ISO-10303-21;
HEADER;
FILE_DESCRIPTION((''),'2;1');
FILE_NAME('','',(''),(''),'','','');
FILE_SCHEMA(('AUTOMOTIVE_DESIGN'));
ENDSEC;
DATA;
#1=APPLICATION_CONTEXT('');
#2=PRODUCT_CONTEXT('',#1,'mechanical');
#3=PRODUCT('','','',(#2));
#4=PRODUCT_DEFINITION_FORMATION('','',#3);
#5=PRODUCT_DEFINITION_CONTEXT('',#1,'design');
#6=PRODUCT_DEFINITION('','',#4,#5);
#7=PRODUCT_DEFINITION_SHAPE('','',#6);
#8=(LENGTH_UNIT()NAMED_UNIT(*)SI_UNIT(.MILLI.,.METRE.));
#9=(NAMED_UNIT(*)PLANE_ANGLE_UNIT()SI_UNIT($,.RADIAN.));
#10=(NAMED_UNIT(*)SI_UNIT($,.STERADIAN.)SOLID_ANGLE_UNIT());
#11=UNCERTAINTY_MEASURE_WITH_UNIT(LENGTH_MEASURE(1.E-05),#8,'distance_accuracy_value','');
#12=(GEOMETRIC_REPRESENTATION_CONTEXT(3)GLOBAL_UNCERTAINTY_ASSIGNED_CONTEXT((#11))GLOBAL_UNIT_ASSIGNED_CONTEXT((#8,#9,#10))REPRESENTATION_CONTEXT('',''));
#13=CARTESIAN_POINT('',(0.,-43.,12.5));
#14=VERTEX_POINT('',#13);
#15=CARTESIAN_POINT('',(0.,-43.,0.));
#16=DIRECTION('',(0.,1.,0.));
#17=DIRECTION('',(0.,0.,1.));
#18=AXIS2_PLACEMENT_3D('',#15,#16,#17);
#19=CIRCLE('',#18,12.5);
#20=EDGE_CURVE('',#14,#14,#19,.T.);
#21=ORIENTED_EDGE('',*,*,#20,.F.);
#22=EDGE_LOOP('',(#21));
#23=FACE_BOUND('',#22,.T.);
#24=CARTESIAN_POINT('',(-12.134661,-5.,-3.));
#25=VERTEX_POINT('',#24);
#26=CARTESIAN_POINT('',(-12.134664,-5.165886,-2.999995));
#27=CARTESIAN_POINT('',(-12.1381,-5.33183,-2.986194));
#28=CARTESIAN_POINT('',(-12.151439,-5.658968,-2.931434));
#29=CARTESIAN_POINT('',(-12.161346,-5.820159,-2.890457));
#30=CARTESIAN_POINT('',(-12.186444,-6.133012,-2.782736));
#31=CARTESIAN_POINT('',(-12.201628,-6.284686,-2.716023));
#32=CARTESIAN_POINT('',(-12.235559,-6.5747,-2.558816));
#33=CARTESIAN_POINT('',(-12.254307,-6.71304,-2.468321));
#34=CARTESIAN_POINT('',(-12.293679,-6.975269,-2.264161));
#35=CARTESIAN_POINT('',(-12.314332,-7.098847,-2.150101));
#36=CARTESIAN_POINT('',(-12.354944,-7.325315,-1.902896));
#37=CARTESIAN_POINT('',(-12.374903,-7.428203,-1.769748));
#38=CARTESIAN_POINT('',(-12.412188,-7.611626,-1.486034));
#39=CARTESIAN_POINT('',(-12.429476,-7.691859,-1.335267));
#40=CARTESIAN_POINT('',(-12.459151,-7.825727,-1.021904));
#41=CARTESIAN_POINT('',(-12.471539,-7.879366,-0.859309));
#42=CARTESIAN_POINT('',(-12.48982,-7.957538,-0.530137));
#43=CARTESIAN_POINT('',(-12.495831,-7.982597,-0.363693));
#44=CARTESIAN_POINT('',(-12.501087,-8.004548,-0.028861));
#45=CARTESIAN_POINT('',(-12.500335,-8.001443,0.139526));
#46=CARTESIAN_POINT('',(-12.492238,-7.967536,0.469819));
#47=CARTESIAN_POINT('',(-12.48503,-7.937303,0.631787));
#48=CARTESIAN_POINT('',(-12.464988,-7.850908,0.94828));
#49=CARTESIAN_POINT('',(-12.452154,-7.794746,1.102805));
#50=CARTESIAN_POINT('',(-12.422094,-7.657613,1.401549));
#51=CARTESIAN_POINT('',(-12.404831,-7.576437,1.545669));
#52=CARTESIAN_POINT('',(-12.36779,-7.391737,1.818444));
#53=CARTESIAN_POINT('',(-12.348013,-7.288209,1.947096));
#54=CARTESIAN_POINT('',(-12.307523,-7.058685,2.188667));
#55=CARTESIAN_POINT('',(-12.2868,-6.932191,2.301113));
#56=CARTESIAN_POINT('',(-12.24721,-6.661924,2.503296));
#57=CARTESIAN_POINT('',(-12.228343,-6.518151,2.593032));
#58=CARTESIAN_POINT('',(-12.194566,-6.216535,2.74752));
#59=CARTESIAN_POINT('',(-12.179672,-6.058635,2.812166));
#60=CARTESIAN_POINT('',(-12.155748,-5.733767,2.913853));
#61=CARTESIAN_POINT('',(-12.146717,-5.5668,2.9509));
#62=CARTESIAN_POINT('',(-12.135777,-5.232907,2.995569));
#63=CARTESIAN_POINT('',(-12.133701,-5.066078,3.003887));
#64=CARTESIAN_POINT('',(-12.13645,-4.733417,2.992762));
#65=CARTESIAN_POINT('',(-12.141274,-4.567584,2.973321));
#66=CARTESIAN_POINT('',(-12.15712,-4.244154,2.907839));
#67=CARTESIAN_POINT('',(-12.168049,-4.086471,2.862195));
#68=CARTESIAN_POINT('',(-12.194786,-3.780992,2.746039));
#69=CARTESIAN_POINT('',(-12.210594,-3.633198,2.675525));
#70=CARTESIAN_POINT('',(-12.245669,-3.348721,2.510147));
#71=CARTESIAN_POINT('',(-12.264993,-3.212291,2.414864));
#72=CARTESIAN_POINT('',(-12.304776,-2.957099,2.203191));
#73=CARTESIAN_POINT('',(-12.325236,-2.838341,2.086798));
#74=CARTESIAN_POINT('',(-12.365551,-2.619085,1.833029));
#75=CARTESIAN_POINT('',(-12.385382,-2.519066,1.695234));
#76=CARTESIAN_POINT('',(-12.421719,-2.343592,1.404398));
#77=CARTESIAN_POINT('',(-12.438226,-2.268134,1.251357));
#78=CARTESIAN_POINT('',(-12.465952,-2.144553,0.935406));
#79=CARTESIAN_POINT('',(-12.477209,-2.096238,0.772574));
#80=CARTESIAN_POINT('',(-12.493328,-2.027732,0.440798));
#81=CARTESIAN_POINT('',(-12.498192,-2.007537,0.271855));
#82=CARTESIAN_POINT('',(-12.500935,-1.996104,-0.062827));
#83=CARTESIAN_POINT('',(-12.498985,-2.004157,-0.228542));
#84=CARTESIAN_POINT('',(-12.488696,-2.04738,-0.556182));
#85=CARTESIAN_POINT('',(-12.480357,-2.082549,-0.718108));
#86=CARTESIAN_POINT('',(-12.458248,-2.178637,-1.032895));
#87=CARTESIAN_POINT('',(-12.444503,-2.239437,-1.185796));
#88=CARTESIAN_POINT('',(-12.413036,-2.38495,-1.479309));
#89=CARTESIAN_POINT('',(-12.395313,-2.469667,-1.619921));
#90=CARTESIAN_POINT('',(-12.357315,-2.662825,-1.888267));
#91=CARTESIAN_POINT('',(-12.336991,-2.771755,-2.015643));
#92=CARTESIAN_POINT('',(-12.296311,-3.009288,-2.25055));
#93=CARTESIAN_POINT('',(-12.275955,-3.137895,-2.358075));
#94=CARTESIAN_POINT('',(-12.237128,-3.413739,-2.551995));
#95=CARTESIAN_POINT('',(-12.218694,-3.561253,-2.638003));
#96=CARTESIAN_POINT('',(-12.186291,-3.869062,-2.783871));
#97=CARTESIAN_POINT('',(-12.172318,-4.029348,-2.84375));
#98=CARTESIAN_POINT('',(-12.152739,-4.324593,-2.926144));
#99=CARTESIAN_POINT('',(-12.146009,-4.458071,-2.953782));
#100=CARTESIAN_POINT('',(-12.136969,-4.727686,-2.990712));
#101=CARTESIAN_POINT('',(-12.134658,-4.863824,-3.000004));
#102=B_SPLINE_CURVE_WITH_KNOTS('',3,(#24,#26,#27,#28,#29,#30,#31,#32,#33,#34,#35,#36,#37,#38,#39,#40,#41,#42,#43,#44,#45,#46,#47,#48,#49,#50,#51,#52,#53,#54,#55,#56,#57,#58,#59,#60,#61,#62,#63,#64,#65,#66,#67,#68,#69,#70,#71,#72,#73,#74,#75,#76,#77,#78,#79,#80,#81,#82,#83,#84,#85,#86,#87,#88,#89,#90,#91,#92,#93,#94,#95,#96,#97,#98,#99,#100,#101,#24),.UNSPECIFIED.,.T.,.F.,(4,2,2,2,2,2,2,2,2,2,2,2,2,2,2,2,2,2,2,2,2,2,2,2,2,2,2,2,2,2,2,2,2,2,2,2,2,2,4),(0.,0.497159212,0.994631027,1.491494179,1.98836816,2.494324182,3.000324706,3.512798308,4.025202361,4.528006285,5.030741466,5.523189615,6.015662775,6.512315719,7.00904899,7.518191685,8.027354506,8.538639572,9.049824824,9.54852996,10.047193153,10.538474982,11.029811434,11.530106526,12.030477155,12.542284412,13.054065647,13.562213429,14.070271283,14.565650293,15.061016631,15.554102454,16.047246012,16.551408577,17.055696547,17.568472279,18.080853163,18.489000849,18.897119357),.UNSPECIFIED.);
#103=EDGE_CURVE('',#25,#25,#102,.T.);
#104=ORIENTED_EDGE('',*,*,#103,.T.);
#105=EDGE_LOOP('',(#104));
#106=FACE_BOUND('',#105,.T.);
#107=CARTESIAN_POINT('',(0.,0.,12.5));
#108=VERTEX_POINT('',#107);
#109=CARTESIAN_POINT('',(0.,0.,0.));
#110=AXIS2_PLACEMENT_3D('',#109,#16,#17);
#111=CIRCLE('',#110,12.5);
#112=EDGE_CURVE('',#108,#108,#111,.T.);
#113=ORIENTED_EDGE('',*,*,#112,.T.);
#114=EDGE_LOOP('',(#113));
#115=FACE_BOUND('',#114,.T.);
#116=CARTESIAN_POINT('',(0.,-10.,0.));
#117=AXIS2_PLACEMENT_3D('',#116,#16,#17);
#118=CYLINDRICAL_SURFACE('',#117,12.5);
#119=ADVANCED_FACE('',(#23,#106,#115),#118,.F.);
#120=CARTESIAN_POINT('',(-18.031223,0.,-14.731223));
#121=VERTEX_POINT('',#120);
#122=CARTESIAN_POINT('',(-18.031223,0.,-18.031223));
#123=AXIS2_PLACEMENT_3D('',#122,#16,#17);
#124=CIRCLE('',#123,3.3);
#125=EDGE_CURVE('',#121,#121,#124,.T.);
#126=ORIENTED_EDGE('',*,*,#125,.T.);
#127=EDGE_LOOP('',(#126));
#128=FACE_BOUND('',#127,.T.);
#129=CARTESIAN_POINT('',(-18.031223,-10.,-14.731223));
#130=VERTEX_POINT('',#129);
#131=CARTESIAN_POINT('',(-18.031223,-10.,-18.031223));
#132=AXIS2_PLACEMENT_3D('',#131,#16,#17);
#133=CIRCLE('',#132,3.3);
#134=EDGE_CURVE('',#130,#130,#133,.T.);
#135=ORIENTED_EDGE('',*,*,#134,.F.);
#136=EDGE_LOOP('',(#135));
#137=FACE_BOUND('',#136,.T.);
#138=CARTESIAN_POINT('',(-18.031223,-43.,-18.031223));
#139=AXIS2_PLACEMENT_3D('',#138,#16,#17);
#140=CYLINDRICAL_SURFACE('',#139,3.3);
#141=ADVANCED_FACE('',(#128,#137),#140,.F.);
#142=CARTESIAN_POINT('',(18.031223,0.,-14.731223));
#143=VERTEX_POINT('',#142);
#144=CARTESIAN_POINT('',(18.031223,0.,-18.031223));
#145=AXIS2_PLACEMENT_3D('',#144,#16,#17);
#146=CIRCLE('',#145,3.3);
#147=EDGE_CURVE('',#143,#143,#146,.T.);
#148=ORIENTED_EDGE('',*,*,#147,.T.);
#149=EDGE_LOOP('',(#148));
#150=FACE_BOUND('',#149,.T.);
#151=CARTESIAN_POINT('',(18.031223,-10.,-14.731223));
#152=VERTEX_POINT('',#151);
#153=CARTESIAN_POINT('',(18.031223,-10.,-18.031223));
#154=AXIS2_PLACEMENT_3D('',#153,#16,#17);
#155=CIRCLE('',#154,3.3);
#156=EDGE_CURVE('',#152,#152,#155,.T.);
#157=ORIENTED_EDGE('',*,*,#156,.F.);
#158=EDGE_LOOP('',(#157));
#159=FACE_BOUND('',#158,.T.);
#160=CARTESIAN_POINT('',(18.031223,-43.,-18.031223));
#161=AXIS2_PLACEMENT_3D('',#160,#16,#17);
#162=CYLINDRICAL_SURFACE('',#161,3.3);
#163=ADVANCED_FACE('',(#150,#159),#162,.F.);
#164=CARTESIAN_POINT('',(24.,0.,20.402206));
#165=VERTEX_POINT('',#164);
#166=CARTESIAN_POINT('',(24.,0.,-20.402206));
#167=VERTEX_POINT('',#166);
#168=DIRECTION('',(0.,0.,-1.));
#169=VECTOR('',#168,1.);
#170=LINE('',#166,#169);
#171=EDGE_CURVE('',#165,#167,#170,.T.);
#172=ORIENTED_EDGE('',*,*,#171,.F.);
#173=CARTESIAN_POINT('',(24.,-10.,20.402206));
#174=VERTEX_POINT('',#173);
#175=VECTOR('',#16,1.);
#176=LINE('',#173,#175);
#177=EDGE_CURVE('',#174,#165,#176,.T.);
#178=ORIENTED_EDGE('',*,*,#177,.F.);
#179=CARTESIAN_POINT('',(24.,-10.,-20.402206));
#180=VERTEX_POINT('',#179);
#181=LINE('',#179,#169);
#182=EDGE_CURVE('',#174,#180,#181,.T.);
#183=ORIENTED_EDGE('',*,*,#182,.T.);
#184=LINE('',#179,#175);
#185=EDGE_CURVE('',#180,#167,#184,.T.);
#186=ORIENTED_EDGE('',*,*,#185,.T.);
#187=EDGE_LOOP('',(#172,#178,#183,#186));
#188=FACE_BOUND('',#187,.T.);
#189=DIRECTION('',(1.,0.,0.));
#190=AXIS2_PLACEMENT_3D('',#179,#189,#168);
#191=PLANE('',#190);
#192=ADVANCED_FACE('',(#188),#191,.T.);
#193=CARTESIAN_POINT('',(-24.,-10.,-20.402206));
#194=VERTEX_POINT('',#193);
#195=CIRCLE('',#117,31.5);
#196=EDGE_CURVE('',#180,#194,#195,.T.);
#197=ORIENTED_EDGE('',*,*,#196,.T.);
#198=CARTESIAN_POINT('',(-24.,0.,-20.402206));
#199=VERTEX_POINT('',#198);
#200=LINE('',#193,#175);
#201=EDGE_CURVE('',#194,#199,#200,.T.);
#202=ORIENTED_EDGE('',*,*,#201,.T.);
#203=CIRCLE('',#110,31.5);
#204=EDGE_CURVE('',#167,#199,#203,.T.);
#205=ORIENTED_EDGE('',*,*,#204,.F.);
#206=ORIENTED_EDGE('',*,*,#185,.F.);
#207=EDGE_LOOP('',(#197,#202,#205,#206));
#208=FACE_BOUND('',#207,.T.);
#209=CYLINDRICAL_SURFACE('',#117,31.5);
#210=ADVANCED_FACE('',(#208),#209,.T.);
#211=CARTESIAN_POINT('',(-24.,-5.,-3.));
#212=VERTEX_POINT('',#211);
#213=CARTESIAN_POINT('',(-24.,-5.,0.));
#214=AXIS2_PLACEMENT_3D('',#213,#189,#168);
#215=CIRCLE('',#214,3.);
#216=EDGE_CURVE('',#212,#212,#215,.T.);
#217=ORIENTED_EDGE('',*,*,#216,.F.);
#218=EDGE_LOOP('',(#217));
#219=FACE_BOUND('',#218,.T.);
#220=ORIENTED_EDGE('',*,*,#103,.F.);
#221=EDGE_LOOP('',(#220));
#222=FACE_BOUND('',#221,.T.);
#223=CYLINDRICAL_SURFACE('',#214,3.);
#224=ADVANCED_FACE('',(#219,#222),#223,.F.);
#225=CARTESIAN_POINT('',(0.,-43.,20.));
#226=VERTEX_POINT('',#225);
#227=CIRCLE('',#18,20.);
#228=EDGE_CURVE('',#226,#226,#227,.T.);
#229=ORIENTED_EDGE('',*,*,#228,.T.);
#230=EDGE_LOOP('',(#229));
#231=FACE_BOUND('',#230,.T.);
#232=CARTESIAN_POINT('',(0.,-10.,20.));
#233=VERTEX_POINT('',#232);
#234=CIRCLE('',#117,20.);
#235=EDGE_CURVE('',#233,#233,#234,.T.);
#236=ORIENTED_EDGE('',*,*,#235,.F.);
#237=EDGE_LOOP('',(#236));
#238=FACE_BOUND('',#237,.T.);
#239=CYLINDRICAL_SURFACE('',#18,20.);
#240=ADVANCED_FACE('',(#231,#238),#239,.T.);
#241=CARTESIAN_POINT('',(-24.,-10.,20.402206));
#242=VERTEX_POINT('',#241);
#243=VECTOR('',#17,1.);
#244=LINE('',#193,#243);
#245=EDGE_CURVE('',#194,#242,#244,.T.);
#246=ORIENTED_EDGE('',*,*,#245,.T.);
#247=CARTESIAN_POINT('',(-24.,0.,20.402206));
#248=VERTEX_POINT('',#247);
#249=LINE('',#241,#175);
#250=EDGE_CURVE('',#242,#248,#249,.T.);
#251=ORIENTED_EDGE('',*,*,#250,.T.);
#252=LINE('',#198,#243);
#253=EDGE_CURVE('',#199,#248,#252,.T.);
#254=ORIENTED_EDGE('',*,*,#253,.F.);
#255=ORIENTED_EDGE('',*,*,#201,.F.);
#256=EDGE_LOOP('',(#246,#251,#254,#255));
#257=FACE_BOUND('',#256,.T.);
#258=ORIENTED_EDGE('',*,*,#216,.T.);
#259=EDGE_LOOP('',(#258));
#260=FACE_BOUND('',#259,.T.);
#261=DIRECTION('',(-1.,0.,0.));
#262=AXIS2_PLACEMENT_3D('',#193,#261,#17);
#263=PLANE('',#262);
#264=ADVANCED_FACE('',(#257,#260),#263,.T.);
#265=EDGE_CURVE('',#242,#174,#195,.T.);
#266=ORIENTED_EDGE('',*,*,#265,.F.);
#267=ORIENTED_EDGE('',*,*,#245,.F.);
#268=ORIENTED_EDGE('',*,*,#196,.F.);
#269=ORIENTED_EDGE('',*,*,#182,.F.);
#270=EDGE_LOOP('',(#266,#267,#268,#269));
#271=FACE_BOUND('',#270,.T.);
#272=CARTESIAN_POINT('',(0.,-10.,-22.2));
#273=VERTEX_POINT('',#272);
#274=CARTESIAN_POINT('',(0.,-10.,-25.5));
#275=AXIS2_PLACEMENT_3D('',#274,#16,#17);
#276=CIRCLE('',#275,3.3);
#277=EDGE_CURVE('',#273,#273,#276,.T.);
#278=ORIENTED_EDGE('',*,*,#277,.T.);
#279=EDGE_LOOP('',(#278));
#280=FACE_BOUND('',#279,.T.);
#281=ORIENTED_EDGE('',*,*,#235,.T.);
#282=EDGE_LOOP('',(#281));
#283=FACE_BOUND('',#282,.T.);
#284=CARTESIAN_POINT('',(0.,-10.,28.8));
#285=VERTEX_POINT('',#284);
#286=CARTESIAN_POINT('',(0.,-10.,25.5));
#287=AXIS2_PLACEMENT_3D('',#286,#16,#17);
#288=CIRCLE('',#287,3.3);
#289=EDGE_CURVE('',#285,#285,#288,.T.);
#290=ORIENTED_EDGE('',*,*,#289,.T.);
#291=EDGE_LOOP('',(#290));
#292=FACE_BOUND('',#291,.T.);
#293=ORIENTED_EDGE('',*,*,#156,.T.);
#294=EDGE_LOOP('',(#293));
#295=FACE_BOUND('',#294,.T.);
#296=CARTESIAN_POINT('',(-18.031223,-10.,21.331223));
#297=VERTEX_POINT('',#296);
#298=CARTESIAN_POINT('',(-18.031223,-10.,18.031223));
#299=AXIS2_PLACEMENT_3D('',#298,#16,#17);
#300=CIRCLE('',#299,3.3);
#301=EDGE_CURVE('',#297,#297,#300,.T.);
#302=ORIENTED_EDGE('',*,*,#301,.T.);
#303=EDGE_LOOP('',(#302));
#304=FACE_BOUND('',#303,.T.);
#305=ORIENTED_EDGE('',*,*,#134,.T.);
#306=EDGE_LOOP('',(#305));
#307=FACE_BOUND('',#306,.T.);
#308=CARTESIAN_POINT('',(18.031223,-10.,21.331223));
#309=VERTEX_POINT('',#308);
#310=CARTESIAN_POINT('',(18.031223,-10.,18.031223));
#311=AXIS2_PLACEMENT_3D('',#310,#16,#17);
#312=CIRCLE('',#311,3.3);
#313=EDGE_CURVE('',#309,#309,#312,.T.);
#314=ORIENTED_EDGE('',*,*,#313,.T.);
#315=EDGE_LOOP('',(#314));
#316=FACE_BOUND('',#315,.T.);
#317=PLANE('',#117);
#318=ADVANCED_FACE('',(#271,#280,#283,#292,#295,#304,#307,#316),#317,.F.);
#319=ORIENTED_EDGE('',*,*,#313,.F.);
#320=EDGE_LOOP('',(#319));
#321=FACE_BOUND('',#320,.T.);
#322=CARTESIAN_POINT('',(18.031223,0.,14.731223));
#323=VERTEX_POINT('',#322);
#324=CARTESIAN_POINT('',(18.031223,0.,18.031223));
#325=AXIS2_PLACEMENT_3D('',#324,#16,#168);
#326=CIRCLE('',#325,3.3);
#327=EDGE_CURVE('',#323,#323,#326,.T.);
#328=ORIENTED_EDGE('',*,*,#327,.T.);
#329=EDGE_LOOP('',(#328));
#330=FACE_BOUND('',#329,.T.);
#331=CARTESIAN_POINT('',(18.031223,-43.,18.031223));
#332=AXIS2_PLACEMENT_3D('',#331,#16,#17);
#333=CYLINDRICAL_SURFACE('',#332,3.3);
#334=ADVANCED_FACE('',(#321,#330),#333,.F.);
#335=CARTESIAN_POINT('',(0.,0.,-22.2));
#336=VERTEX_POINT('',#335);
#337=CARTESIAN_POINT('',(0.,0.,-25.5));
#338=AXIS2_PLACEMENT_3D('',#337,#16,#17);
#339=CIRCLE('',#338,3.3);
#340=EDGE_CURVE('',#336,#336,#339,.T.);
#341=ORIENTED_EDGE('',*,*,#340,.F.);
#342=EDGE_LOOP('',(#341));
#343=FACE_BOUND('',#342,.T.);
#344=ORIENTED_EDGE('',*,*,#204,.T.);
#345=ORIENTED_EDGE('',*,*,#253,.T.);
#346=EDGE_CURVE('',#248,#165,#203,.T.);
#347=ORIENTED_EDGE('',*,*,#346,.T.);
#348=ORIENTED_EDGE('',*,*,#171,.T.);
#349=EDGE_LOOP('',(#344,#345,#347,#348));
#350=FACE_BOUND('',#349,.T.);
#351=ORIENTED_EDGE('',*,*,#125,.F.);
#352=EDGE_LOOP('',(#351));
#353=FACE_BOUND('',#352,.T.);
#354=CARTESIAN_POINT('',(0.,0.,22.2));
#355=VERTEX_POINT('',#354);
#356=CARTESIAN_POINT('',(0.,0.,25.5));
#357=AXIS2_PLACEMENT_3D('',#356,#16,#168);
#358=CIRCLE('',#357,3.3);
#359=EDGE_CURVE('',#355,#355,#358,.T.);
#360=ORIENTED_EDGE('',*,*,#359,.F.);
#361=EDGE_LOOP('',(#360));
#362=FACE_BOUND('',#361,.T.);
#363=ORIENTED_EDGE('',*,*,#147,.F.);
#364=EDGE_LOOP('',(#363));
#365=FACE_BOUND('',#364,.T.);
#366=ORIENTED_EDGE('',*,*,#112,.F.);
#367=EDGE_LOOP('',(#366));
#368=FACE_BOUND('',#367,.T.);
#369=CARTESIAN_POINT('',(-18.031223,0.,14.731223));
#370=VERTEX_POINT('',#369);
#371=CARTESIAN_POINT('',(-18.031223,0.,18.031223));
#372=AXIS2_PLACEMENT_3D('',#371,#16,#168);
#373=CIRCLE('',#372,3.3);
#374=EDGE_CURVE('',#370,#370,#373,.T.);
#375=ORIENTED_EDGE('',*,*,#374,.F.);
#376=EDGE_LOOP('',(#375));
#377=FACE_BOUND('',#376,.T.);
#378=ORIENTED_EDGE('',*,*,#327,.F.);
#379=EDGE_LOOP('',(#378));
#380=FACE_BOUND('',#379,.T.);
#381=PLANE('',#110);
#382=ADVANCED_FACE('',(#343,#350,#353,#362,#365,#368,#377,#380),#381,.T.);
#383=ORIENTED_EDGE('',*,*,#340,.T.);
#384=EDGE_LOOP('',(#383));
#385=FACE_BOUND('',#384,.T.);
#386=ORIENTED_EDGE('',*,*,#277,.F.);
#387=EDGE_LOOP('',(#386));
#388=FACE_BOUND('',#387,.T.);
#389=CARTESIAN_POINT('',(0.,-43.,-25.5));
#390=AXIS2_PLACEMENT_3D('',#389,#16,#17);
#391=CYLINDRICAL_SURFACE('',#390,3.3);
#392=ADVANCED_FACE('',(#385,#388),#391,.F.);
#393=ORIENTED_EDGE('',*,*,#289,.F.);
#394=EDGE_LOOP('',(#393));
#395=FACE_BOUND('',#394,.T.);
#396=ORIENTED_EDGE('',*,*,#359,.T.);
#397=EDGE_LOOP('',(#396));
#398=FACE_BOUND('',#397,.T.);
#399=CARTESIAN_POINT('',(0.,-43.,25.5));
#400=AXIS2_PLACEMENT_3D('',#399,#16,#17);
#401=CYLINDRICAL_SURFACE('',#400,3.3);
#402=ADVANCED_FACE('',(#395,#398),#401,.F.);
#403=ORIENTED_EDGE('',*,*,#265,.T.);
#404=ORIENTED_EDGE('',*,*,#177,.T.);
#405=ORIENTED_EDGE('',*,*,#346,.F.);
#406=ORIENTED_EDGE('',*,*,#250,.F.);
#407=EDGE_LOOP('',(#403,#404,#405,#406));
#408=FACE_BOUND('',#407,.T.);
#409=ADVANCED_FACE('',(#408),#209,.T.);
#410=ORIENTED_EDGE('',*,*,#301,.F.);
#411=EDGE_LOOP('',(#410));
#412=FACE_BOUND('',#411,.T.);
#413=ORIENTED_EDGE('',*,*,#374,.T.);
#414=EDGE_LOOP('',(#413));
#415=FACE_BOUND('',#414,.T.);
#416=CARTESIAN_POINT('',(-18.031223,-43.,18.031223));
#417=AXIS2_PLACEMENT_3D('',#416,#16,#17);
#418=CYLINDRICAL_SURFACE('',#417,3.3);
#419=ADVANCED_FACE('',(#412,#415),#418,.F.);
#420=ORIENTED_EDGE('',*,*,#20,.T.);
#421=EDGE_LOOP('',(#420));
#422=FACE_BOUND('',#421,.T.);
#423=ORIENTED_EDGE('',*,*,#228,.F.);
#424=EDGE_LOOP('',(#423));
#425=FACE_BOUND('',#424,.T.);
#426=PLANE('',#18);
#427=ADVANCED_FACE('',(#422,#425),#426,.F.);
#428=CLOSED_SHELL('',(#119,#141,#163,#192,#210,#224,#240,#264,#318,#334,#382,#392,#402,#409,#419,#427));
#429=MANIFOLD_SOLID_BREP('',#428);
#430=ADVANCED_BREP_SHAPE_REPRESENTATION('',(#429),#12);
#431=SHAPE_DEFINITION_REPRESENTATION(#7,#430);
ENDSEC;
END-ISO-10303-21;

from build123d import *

# Parameters (mm, degrees)
SKETCH_1_R          = 12.5
EXTRUDE_1_DEPTH     = 10
SKETCH_2_R          = 20
SKETCH_2_R_2        = 12.5
EXTRUDE_2_DEPTH     = 43
SKETCH_3_R          = 3.3
CUT_EXTRUDE_1_DEPTH = 59.457249337
SKETCH_4_R          = 3
CUT_EXTRUDE_2_DEPTH = 59.457249337


with BuildPart() as part:
    # 草图1 → 凸台-拉伸1 (new body)
    with BuildSketch(Plane(origin=(0, 0, 0), x_dir=(1, 0, 0), z_dir=(0, 1, 0))):
        with BuildLine():
            Line((-24, 20.402205763), (-24, -20.402205763))
            ThreePointArc((-24, -20.402205763), (0, -31.5), (24, -20.402205763))
            Line((24, -20.402205763), (24, 20.402205763))
            ThreePointArc((24, 20.402205763), (0, 31.5), (-24, 20.402205763))
        make_face()
        with Locations(Location((0, 0, 0), (0, 0, 270))):
            Circle(SKETCH_1_R, mode=Mode.SUBTRACT)
    extrude(amount=-EXTRUDE_1_DEPTH)

    # 草图2 → 凸台-拉伸2 (add)
    with BuildSketch(Plane(origin=(0, 0, 0), x_dir=(1, 0, 0), z_dir=(0, 1, 0))):
        with Locations(Location((0, 0, 0), (0, 0, 270))):
            Circle(SKETCH_2_R)
        with Locations(Location((0, 0, 0), (0, 0, 270))):
            Circle(SKETCH_2_R_2, mode=Mode.SUBTRACT)
    extrude(amount=-EXTRUDE_2_DEPTH)

    # 草图3 → 切除-拉伸1 (cut, through all)
    with BuildSketch(Plane(origin=(0, 0, 0), x_dir=(1, 0, 0), z_dir=(0, 1, 0))):
        with Locations(Location((0, 25.5, 0), (0, 0, 270))):
            Circle(SKETCH_3_R)
        with Locations(Location((-18.03122292, 18.03122292, 0), (0, 0, 270))):
            Circle(SKETCH_3_R)
        with Locations(Location((18.03122292, 18.03122292, 0), (0, 0, 270))):
            Circle(SKETCH_3_R)
        with Locations(Location((18.03122292, -18.03122292, 0), (0, 0, 270))):
            Circle(SKETCH_3_R)
        with Locations(Location((-18.03122292, -18.03122292, 0), (0, 0, 270))):
            Circle(SKETCH_3_R)
        with Locations(Location((0, -25.5, 0), (0, 0, 270))):
            Circle(SKETCH_3_R)
    extrude(amount=-CUT_EXTRUDE_1_DEPTH, mode=Mode.SUBTRACT)

    # 草图4 → 切除-拉伸2 (cut, through all)
    with BuildSketch(Plane(origin=(0, 0, 0), x_dir=(0, 0, -1), z_dir=(1, 0, 0))):
        with Locations((0, -5)):
            Circle(SKETCH_4_R)
    extrude(amount=-CUT_EXTRUDE_2_DEPTH, mode=Mode.SUBTRACT)


solid = part.part
